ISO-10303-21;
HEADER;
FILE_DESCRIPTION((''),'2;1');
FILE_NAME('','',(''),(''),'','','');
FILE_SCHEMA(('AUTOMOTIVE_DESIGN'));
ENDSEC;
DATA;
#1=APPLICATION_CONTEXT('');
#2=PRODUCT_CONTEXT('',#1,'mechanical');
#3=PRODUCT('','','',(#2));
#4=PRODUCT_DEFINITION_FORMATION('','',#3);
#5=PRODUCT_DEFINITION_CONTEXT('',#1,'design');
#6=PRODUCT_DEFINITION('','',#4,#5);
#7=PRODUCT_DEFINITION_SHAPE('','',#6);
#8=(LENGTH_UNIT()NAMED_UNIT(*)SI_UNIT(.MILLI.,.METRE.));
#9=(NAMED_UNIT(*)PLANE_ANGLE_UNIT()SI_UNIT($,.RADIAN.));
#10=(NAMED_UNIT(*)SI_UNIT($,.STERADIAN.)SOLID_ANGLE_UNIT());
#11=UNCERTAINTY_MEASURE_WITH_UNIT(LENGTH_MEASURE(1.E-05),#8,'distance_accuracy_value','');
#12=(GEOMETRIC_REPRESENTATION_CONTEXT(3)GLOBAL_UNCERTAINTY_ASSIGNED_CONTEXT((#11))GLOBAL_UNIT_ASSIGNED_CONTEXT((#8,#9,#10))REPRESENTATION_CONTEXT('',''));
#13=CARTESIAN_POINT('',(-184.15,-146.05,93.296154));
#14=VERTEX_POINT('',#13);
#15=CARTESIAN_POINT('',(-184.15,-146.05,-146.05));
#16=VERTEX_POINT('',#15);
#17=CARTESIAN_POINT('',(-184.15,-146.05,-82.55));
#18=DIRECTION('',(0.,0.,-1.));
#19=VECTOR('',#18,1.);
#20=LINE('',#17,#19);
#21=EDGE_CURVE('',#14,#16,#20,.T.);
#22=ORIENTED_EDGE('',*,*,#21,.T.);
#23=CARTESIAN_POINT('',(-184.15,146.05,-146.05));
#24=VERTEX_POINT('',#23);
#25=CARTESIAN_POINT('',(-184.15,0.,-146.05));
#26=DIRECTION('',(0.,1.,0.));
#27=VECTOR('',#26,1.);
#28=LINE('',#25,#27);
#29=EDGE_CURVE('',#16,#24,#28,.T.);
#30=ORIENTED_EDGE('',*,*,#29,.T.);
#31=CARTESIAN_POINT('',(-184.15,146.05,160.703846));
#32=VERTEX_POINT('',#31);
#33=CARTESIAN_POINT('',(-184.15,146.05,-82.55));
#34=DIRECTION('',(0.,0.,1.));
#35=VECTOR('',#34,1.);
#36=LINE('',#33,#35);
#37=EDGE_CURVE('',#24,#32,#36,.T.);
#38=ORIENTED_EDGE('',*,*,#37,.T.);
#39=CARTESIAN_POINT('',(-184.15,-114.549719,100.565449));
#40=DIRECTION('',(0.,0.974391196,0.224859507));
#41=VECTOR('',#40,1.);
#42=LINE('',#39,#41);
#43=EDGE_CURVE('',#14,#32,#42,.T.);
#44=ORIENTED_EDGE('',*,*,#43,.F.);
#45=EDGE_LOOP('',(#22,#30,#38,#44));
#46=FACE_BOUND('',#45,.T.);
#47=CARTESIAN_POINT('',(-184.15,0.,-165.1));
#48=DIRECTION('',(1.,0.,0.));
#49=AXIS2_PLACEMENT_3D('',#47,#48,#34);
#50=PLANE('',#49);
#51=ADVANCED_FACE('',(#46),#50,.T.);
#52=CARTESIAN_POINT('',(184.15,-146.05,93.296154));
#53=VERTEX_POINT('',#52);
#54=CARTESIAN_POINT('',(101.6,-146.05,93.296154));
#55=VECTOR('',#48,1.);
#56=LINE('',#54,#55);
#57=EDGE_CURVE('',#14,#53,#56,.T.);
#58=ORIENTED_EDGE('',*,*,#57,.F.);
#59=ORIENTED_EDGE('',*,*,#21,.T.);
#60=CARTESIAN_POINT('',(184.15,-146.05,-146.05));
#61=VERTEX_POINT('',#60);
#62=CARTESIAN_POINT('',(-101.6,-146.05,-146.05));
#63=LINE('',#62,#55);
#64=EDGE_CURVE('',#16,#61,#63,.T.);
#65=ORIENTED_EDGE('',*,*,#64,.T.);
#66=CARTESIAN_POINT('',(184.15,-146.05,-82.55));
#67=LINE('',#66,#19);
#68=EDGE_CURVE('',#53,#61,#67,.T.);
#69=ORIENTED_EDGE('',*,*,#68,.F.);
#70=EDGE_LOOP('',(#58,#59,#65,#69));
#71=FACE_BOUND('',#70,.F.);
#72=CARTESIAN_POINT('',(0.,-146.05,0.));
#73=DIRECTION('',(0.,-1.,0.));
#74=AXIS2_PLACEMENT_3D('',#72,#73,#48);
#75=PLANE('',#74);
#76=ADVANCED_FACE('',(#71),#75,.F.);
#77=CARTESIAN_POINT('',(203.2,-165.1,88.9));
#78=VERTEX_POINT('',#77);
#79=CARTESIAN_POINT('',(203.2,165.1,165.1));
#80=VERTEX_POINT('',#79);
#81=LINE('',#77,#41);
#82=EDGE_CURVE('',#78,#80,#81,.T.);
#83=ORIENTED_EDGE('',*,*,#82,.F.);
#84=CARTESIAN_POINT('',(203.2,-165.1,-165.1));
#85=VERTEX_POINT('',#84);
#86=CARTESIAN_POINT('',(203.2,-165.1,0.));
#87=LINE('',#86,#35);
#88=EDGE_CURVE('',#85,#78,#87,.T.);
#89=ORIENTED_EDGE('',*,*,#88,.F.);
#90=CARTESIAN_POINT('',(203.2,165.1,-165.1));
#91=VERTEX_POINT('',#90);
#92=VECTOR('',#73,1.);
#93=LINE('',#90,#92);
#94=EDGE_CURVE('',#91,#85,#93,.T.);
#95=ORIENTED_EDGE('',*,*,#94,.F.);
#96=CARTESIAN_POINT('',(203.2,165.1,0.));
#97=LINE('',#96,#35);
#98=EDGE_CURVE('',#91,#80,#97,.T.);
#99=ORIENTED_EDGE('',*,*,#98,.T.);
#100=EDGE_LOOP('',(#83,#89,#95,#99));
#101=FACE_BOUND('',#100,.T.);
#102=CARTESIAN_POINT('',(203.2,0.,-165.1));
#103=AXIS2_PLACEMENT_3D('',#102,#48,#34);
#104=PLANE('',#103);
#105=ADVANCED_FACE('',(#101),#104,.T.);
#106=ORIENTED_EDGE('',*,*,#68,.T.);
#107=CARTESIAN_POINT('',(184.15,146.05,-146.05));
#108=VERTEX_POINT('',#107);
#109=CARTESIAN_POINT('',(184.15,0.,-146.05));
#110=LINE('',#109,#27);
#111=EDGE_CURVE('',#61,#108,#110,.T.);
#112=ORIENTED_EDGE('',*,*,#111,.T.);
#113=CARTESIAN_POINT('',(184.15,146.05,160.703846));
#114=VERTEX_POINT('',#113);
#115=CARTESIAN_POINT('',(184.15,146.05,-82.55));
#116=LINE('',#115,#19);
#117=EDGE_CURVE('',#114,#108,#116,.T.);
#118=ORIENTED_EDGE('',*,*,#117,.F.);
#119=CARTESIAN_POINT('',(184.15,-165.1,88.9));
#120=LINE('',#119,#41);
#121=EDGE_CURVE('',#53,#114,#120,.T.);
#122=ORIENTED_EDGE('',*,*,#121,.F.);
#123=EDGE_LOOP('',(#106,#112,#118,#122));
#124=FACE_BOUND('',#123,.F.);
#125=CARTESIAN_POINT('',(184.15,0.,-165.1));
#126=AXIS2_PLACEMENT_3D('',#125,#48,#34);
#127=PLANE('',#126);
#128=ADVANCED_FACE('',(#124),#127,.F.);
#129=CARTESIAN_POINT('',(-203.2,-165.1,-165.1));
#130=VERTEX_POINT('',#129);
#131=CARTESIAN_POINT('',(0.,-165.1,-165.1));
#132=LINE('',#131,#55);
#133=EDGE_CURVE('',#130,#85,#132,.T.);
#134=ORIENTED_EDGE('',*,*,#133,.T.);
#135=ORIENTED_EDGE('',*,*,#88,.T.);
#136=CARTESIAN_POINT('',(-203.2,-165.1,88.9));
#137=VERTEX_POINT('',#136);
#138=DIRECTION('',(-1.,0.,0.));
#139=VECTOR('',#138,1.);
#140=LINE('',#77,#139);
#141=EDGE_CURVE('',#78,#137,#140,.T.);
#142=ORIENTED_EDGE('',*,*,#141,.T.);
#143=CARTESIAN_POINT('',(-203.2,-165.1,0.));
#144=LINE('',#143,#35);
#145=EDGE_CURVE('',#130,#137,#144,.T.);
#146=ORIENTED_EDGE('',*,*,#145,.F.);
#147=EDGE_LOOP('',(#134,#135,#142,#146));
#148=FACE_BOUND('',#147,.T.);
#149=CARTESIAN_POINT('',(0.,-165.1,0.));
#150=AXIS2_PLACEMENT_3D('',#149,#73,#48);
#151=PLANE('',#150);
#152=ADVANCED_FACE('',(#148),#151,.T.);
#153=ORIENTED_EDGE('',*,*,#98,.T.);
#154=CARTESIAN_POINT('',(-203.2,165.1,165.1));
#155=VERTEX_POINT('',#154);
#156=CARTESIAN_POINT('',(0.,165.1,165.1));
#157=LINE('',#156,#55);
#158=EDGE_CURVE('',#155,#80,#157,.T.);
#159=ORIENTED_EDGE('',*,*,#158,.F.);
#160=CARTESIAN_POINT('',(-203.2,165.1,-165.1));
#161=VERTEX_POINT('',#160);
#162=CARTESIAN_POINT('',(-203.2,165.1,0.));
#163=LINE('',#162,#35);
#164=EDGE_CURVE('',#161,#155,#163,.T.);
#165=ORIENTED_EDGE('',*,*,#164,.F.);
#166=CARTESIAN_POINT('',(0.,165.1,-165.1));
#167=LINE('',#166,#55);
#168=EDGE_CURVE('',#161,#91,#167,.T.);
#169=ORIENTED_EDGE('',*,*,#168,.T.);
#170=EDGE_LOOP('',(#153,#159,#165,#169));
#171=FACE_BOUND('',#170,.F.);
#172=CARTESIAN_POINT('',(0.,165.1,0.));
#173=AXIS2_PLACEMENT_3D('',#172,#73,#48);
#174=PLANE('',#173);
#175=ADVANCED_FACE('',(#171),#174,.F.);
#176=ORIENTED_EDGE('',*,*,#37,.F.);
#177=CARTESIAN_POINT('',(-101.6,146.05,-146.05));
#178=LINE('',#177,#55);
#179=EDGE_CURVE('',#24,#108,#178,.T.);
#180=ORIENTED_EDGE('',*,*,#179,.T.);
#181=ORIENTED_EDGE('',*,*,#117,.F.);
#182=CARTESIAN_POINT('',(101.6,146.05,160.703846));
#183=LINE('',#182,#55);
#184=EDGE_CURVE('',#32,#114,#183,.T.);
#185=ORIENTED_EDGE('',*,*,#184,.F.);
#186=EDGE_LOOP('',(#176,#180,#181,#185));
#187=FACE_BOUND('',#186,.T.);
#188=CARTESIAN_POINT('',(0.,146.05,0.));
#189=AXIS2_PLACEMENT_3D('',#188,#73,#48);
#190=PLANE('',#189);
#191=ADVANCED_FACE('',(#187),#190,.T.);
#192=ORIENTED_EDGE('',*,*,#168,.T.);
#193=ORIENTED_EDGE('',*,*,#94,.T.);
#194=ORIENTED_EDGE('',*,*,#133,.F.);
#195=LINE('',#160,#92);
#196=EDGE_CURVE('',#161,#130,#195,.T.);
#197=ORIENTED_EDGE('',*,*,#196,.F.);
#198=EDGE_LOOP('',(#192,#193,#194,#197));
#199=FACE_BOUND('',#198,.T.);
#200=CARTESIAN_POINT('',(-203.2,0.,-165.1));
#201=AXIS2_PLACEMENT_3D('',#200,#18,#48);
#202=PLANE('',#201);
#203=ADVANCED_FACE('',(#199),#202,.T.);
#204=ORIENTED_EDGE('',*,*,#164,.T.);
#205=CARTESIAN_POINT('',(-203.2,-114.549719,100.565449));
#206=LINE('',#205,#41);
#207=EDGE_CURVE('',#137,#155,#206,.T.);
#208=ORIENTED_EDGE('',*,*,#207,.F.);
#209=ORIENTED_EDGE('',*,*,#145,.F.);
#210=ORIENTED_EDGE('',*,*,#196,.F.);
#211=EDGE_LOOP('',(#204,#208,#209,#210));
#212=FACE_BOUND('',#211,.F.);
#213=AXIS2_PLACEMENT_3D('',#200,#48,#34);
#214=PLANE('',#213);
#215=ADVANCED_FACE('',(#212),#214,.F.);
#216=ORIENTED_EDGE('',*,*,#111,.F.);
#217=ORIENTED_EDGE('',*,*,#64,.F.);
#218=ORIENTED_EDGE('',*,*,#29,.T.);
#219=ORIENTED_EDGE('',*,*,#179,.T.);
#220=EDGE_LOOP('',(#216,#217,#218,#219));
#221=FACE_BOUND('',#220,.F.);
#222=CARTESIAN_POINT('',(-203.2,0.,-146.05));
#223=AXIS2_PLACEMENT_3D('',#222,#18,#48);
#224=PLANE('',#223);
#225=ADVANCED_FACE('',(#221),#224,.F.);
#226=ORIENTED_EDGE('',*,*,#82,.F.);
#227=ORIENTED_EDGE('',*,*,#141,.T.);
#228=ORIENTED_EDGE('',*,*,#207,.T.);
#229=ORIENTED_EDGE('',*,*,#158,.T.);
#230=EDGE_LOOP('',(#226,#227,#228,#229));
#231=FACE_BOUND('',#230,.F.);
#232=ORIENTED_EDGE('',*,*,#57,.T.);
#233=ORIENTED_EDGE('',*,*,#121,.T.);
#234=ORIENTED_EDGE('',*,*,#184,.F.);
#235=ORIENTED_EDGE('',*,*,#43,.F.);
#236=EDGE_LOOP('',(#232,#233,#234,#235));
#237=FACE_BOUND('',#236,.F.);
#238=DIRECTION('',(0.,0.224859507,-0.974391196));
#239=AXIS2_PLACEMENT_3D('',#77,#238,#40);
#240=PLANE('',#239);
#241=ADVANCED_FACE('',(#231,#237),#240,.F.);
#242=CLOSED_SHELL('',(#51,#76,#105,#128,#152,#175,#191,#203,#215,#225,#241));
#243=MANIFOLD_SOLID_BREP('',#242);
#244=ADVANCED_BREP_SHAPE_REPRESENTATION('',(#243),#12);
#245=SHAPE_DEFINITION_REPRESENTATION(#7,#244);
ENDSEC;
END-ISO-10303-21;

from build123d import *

# Parameters (mm, degrees)
F0_W     = 406.4
F0_H     = 330.2
F1_DEPTH = 165.1
F3_DEPTH = 406.401
F4_T     = -19.05


with BuildPart() as f1:
    # F0 (on Front) → F1 (new body, symmetric)
    with BuildSketch(Plane.XZ):
        Rectangle(F0_W, F0_H)
    extrude(amount=F1_DEPTH, both=True)

    # F2 (on face) → F3 (cut, through all)
    with BuildSketch(Plane.YZ.offset(203.2)):
        Polygon((165.1, 165.1), (-165.1, 165.1), (-165.1, 88.9), align=None)
    extrude(amount=-F3_DEPTH, mode=Mode.SUBTRACT)

    # F4
    f4_openings = [f1.faces().sort_by_distance(p)[0] for p in [
        (0, 0, 127),
    ]]
    offset(amount=F4_T, openings=f4_openings)


solid = f1.part
